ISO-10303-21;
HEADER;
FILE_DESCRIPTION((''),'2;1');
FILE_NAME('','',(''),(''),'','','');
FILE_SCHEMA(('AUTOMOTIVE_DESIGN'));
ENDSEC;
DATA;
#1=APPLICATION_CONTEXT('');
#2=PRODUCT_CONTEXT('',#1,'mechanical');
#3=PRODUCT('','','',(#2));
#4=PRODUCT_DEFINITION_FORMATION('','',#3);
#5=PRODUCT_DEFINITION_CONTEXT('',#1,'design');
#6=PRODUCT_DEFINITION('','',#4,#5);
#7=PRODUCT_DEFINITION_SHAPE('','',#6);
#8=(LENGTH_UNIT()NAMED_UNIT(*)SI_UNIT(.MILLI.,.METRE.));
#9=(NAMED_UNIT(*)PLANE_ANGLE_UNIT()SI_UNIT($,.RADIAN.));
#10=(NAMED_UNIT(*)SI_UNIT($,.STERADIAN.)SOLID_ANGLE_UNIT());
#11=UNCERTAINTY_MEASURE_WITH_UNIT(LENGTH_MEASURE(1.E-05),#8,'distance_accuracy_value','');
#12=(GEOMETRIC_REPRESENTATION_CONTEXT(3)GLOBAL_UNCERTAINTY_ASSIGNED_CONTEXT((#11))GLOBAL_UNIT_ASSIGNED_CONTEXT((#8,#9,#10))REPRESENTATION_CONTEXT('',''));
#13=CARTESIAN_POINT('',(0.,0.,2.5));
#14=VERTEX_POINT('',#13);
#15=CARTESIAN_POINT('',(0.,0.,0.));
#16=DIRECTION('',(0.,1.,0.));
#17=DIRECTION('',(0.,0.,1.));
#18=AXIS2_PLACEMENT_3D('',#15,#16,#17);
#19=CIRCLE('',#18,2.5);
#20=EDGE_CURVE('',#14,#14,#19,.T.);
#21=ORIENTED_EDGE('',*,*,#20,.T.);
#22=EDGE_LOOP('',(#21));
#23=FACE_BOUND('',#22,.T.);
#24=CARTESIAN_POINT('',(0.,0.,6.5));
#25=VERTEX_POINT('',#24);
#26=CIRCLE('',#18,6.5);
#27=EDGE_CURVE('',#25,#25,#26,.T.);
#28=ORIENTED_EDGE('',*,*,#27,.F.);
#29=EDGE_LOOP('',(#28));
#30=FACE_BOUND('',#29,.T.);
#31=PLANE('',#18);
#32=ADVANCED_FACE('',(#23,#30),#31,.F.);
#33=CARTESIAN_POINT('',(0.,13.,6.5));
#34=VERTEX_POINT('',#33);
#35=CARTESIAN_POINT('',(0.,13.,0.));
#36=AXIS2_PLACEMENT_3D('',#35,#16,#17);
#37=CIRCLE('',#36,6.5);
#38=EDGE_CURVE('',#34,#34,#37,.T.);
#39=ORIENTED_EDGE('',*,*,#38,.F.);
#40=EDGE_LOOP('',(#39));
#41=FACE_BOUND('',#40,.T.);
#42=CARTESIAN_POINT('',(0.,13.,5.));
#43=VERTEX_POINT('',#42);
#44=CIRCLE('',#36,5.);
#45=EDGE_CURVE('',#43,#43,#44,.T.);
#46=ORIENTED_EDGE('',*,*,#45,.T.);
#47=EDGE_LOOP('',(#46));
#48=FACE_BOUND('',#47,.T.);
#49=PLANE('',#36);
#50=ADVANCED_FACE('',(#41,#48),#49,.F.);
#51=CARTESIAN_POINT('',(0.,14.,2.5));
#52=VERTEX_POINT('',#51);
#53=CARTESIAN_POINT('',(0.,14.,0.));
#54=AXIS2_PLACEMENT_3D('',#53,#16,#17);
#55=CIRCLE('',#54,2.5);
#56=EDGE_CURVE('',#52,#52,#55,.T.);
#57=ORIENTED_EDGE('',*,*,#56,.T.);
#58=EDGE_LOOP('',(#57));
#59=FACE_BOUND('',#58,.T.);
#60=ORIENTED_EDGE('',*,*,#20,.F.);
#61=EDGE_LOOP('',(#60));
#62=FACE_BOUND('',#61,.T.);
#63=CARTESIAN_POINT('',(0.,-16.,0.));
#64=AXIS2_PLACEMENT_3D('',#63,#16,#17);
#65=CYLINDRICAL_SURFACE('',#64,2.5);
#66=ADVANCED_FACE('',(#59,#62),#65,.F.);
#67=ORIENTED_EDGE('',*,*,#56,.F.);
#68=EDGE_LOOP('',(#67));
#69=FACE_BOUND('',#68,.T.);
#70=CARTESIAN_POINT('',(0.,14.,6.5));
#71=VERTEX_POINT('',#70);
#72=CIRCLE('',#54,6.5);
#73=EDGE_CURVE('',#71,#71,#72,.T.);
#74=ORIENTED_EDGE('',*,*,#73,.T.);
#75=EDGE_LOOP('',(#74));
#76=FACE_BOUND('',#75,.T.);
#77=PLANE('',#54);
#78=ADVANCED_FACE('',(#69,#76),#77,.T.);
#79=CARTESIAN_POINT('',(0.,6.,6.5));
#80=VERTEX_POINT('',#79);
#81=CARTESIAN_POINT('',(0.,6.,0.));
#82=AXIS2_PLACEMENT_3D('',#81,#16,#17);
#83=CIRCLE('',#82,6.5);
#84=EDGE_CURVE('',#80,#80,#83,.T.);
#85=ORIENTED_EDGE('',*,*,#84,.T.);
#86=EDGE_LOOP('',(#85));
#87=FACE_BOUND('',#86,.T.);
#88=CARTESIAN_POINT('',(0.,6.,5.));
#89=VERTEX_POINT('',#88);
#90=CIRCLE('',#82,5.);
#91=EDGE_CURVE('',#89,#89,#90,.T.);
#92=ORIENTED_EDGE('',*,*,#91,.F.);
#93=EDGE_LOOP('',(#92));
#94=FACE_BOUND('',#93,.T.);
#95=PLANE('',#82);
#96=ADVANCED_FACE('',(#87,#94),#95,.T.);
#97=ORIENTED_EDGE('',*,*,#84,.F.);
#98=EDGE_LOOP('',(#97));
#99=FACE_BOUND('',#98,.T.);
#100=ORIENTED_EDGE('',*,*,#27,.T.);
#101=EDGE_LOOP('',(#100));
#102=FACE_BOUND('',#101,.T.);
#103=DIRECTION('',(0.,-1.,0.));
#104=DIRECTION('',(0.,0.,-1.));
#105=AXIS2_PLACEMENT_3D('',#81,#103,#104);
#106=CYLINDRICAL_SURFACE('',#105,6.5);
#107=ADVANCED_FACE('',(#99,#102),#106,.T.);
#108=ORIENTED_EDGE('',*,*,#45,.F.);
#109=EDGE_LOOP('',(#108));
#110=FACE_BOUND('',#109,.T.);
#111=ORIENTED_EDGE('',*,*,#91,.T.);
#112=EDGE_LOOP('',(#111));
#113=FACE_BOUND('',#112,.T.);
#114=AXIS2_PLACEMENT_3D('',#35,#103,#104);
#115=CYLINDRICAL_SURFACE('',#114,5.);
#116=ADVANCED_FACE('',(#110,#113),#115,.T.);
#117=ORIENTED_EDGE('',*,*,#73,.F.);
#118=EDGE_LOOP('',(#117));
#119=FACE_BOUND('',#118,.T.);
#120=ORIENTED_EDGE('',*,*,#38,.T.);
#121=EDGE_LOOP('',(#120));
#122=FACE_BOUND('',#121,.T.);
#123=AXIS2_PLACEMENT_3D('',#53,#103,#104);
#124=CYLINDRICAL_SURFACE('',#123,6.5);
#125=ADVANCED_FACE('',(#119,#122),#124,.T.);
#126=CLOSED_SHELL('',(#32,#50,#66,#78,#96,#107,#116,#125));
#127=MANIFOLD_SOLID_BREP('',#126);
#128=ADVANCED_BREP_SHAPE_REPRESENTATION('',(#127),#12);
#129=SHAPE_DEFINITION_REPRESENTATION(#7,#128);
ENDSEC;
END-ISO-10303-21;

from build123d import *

# Parameters (mm, degrees)
SKETCH1_R           = 6.5
BOSS_EXTRUDE1_DEPTH = 6
SKETCH2_R           = 5
BOSS_EXTRUDE2_DEPTH = 7
SKETCH3_R           = 6.5
BOSS_EXTRUDE3_DEPTH = 1
SKETCH4_R           = 2.5
CUT_EXTRUDE1_DEPTH  = 30


with BuildPart() as part:
    # Sketch1 → Boss-Extrude1 (new body)
    with BuildSketch(Plane(origin=(0, 0, 0), x_dir=(1, 0, 0), z_dir=(0, 1, 0))):
        with Locations(Location((0, 0, 0), (0, 0, 270))):
            Circle(SKETCH1_R)
    extrude(amount=BOSS_EXTRUDE1_DEPTH)

    # Sketch2 → Boss-Extrude2 (add)
    with BuildSketch(Plane(origin=(0, 6, 0), x_dir=(1, 0, 0), z_dir=(0, 1, 0))):
        with Locations(Location((0, 0, 0), (0, 0, 270))):
            Circle(SKETCH2_R)
    extrude(amount=BOSS_EXTRUDE2_DEPTH)

    # Sketch3 → Boss-Extrude3 (add)
    with BuildSketch(Plane(origin=(0, 13, 0), x_dir=(1, 0, 0), z_dir=(0, 1, 0))):
        with Locations(Location((0, 0, 0), (0, 0, 270))):
            Circle(SKETCH3_R)
    extrude(amount=BOSS_EXTRUDE3_DEPTH)

    # Sketch4 → Cut-Extrude1 (cut)
    with BuildSketch(Plane(origin=(0, 14, 0), x_dir=(1, 0, 0), z_dir=(0, 1, 0))):
        with Locations(Location((0, 0, 0), (0, 0, 270))):
            Circle(SKETCH4_R)
    extrude(amount=-CUT_EXTRUDE1_DEPTH, mode=Mode.SUBTRACT)


solid = part.part
